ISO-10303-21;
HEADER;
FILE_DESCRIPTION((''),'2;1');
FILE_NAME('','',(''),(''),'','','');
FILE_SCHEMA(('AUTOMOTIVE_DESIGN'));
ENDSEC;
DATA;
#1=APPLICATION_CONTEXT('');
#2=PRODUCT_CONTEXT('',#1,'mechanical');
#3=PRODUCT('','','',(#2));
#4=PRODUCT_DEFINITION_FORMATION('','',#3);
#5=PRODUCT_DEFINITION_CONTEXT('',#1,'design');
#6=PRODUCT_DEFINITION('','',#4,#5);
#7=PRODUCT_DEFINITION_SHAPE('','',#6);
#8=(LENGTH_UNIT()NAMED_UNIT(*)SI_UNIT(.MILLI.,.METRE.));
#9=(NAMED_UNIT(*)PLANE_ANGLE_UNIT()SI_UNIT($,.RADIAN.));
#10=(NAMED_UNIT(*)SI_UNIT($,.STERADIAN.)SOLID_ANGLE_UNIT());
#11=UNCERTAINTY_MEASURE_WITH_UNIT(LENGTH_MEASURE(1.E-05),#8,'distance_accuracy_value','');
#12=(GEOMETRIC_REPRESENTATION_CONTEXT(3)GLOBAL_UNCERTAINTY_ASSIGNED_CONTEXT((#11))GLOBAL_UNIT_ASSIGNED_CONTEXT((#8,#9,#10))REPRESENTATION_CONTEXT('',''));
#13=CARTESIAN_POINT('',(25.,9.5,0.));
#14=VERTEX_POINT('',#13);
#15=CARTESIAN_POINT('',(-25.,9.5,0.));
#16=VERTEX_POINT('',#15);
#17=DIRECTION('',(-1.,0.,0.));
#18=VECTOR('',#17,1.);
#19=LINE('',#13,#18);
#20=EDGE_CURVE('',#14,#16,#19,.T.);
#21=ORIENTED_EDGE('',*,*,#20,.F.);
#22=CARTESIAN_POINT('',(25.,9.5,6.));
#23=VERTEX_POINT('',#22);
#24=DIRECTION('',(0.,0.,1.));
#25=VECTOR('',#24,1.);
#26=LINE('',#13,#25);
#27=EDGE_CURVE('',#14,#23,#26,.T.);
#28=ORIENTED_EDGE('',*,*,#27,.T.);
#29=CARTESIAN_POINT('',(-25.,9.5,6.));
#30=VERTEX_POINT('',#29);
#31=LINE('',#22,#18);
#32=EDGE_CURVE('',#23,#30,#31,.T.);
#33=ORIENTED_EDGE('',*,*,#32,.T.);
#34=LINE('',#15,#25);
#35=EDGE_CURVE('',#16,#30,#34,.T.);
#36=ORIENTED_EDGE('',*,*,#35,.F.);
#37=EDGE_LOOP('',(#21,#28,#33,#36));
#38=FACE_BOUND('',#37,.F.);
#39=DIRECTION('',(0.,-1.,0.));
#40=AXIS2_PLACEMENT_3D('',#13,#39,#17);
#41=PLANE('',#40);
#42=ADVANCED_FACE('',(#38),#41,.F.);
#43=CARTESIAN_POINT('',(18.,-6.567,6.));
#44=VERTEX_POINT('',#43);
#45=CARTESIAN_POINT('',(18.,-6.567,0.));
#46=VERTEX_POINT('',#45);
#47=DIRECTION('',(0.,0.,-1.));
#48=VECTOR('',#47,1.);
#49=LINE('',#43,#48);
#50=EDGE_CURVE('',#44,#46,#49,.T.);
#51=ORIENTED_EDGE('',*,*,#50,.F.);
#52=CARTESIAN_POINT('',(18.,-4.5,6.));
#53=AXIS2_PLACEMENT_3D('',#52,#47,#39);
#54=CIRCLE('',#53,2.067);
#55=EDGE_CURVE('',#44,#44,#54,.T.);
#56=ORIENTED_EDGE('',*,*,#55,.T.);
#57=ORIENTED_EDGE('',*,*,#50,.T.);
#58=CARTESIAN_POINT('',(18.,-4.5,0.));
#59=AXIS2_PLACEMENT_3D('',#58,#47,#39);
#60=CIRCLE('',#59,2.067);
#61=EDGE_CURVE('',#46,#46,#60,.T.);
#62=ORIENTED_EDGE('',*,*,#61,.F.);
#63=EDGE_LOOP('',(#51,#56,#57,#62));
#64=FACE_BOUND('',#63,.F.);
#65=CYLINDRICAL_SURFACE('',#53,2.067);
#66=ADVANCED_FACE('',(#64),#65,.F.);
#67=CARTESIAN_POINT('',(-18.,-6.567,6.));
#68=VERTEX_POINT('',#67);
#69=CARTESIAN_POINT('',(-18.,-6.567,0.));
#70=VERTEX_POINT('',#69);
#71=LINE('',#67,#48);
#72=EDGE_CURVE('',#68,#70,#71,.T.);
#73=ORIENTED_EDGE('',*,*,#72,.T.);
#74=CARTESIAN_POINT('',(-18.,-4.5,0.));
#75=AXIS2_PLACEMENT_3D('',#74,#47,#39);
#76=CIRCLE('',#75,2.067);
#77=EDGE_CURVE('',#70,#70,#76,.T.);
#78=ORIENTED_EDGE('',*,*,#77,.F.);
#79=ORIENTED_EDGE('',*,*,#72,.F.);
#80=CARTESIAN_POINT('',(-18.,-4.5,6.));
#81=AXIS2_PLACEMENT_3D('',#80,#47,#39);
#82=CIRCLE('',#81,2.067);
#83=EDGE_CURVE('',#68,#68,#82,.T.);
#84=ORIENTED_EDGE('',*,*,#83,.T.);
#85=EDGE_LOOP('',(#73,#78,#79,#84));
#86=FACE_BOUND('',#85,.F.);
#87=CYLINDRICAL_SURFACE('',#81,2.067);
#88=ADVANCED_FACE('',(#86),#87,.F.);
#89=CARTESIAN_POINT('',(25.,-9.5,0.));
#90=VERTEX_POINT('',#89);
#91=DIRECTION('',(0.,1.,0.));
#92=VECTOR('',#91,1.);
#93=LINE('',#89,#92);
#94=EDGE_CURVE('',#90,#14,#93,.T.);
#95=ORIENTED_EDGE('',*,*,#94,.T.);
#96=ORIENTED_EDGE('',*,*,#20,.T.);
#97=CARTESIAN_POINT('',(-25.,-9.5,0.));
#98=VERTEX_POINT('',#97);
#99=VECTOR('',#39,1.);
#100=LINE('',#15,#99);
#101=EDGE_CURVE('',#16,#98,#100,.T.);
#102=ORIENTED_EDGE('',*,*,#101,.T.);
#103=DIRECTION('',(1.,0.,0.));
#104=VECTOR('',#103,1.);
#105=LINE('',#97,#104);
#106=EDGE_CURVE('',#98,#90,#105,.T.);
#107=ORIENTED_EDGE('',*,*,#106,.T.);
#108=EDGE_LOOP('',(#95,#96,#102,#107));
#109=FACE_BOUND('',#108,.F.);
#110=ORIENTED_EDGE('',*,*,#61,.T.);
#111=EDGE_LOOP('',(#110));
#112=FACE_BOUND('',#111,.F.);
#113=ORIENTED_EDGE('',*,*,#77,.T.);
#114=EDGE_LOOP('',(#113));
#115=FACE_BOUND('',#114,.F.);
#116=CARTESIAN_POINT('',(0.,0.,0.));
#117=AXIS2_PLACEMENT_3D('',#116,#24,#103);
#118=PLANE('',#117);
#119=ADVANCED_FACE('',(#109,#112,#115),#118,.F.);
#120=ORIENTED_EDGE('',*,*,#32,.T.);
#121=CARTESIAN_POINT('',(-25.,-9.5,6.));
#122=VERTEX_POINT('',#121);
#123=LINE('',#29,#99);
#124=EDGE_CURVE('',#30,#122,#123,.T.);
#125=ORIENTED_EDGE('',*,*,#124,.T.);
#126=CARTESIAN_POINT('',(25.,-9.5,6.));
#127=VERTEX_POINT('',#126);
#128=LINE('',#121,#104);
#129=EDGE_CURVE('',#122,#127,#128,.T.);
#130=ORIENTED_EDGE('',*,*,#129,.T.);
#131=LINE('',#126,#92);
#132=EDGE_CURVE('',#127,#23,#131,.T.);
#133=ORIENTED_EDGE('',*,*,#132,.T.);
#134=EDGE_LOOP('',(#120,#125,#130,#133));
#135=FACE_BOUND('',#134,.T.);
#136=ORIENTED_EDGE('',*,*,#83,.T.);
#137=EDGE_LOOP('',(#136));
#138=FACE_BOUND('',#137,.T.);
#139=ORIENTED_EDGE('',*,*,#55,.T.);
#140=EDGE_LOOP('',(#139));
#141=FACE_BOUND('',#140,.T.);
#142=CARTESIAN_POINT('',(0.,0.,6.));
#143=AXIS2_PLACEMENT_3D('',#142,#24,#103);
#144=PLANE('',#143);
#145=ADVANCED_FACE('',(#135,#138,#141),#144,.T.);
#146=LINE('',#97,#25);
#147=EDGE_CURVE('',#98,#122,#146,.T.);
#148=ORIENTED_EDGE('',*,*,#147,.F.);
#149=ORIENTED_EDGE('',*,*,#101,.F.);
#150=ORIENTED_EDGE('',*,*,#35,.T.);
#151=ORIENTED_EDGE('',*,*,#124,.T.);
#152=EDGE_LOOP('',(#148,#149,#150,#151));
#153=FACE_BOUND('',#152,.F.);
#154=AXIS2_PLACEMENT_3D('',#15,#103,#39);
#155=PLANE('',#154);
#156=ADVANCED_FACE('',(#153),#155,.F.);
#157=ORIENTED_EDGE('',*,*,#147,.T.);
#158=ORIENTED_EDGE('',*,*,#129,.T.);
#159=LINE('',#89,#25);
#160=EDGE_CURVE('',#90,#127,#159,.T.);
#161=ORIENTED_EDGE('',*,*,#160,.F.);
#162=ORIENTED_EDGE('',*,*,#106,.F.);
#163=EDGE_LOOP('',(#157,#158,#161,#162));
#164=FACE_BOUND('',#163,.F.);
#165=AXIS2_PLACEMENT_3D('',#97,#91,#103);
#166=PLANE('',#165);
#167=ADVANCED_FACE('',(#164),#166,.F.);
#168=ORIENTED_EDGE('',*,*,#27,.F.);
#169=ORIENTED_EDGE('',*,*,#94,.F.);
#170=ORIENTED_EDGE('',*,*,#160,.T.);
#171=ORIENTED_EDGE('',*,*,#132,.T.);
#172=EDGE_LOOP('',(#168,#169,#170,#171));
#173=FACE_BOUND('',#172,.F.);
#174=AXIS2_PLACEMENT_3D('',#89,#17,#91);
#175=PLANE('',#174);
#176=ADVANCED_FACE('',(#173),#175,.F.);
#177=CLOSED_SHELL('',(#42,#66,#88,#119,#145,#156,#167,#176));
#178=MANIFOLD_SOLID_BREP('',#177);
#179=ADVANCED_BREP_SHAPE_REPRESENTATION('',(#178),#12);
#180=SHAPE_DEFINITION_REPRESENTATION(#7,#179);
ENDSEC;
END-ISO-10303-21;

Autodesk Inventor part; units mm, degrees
ref_plane "YZ Plane" through (0, 0, 0) normal (1, 0, 0) x (0, 1, 0)
ref_plane "XZ Plane" through (0, 0, 0) normal (0, 1, 0) x (-1, 0, 0)
ref_plane "XY Plane" through (0, 0, 0) normal (0, 0, 1) x (1, 0, 0)
sketch "Sketch1" plane through (0, 0, 0) normal (0, 0, 1) x (1, 0, 0)
  line L0 (-25, -9.5) -> (25, -9.5)
  line L1 (25, -9.5) -> (25, 9.5)
  line L2 (25, 9.5) -> (-25, 9.5)
  line L3 (-25, 9.5) -> (-25, -9.5)
  line L4 (-25, -9.5) -> (25, 9.5) construction
  line L5 (25, -9.5) -> (-25, 9.5) construction
  point P0 (0, 0)
  dimension "d0" = 50
  dimension "d1" = 19
extrude "Extrusion1" add sketch "Sketch1" along normal blind 6
sketch "Sketch2" plane through (0, 0, 6) normal (0, 0, 1) x (1, 0, 0)
  line L0 (-25, -9.5) -> (25, -9.5) projected
  line L1 (-25, 9.5) -> (-25, -9.5) projected
  line L2 (25, -9.5) -> (25, 9.5) projected
  point P0 (0, 0)
  point P1 (-18, -4.5)
  point P2 (18, -4.5)
  dimension "d4" = 5
  dimension "d5" = 5
  dimension "d6" = 7
  dimension "d7" = 7
hole "Hole1" at (-18, -4.5, 6) at (18, -4.5, 6) direction (0, 0, -1) diameter 4.134 depth 6 thread size "M5x0.8" class "6H" standard "ISO Metric profile"
properties part number "Funrungesch" material "Steel, Mild"
